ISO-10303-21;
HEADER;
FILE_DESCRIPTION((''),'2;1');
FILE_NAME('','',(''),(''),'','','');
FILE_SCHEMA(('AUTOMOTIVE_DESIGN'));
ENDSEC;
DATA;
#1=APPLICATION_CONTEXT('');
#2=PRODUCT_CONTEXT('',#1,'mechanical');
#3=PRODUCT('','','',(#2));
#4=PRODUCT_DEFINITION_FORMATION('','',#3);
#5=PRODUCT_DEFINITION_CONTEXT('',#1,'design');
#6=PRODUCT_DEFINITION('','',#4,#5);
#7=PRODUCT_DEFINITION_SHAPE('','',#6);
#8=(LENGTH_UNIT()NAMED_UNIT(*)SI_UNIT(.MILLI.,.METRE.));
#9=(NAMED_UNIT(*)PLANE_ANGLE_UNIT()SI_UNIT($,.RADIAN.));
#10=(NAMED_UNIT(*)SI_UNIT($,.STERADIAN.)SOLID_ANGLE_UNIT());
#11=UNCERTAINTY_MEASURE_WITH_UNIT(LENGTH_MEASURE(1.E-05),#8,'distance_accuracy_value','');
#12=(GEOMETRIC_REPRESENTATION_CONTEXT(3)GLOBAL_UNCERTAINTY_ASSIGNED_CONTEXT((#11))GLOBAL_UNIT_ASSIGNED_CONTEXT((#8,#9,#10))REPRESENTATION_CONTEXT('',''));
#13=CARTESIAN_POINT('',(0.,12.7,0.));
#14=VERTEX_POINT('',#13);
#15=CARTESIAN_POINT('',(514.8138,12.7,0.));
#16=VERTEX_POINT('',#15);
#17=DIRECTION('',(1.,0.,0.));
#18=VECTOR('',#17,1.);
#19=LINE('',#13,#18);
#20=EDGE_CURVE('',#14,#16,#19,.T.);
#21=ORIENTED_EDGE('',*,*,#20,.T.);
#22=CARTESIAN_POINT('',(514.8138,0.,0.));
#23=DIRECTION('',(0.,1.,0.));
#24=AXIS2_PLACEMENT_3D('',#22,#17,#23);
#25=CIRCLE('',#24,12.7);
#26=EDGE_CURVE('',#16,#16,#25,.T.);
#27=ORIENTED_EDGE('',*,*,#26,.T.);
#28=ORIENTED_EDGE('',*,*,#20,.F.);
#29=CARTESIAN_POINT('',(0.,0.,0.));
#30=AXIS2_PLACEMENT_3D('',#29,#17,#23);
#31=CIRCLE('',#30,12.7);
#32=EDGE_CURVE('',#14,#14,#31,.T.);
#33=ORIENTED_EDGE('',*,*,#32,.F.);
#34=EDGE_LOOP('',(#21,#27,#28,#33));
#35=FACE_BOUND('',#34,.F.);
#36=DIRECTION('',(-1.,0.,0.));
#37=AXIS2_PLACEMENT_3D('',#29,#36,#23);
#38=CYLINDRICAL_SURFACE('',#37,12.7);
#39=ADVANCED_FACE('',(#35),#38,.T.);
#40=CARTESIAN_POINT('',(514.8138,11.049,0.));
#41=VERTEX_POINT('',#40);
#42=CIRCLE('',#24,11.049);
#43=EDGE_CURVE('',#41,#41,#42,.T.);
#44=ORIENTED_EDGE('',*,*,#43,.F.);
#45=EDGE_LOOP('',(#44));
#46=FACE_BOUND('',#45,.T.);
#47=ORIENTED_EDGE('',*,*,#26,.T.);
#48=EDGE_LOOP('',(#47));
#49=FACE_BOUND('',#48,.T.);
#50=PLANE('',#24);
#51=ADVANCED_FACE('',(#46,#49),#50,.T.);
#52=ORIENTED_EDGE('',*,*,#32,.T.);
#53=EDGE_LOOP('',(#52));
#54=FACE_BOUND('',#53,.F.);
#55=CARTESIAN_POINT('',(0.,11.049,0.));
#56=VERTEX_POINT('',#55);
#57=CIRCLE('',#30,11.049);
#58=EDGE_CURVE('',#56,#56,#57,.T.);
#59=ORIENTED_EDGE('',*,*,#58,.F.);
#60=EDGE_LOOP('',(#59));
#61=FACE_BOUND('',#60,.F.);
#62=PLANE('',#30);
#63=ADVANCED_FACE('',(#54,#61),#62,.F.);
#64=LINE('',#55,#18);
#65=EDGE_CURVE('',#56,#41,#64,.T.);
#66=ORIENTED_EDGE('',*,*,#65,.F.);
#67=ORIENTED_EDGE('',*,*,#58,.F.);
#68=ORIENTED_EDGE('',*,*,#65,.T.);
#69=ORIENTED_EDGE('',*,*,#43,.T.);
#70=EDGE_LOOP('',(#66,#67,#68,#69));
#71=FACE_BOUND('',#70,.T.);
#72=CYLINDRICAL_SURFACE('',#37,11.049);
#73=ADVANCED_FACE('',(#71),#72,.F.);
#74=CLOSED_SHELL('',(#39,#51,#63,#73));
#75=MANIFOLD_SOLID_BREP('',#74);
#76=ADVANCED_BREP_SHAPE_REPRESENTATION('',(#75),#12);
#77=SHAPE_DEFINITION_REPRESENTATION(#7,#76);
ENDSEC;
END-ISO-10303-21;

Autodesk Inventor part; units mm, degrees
ref_plane "XZ Plane" through (0, 0, 0) normal (0, 1, 0) x (-1, 0, 0)
ref_plane "Start Plane" through (0, 0, 0) normal (1, 0, 0) x (0, 1, 0)
ref_plane "End Plane" through (514.8138, 0, 0) normal (1, 0, 0) x (0, 1, 0)
sketch "Sketch" plane through (0, 0, 0) normal (1, 0, 0) x (0, 1, 0)
  circle A0 centre (0, 0) radius 12.7
  circle A1 centre (0, 0) radius 11.049
  dimension "d0" = 25.4
  dimension "d1" = 1.651
extrude "Body" add sketch "Sketch" along normal up to surface (514.8138 mm away) from surface at 0
sketch "Sketch2" plane through (0, 0, 0) normal (1, 0, 0) x (0, 1, 0)
  line L0 (0, 0) -> (10, 0)
ref_plane "Work Plane3" through (0, 0, 0) normal (0, 0, -1) x (0, 1, 0)
sketch "Sketch3" plane through (0, 0, 0) normal (0, 0, -1) x (0, 1, 0)
  line L0 (-2, 0) -> (12, 0)
  line L1 (-2, 514.8138) -> (12, 514.8138)
  dimension "d9" = 514.8138
equation "\"G_OFFSET_START\" = 0"
equation "\"G_OFFSET_END\" = 0"
equation "\"d5\" = d2 + G_OFFSET_END"
equation "\"G_L\" = d9"
equation "\"d2\" = 514.813787"
properties part number "4130_1x0.065" material "Steel, Alloy"
